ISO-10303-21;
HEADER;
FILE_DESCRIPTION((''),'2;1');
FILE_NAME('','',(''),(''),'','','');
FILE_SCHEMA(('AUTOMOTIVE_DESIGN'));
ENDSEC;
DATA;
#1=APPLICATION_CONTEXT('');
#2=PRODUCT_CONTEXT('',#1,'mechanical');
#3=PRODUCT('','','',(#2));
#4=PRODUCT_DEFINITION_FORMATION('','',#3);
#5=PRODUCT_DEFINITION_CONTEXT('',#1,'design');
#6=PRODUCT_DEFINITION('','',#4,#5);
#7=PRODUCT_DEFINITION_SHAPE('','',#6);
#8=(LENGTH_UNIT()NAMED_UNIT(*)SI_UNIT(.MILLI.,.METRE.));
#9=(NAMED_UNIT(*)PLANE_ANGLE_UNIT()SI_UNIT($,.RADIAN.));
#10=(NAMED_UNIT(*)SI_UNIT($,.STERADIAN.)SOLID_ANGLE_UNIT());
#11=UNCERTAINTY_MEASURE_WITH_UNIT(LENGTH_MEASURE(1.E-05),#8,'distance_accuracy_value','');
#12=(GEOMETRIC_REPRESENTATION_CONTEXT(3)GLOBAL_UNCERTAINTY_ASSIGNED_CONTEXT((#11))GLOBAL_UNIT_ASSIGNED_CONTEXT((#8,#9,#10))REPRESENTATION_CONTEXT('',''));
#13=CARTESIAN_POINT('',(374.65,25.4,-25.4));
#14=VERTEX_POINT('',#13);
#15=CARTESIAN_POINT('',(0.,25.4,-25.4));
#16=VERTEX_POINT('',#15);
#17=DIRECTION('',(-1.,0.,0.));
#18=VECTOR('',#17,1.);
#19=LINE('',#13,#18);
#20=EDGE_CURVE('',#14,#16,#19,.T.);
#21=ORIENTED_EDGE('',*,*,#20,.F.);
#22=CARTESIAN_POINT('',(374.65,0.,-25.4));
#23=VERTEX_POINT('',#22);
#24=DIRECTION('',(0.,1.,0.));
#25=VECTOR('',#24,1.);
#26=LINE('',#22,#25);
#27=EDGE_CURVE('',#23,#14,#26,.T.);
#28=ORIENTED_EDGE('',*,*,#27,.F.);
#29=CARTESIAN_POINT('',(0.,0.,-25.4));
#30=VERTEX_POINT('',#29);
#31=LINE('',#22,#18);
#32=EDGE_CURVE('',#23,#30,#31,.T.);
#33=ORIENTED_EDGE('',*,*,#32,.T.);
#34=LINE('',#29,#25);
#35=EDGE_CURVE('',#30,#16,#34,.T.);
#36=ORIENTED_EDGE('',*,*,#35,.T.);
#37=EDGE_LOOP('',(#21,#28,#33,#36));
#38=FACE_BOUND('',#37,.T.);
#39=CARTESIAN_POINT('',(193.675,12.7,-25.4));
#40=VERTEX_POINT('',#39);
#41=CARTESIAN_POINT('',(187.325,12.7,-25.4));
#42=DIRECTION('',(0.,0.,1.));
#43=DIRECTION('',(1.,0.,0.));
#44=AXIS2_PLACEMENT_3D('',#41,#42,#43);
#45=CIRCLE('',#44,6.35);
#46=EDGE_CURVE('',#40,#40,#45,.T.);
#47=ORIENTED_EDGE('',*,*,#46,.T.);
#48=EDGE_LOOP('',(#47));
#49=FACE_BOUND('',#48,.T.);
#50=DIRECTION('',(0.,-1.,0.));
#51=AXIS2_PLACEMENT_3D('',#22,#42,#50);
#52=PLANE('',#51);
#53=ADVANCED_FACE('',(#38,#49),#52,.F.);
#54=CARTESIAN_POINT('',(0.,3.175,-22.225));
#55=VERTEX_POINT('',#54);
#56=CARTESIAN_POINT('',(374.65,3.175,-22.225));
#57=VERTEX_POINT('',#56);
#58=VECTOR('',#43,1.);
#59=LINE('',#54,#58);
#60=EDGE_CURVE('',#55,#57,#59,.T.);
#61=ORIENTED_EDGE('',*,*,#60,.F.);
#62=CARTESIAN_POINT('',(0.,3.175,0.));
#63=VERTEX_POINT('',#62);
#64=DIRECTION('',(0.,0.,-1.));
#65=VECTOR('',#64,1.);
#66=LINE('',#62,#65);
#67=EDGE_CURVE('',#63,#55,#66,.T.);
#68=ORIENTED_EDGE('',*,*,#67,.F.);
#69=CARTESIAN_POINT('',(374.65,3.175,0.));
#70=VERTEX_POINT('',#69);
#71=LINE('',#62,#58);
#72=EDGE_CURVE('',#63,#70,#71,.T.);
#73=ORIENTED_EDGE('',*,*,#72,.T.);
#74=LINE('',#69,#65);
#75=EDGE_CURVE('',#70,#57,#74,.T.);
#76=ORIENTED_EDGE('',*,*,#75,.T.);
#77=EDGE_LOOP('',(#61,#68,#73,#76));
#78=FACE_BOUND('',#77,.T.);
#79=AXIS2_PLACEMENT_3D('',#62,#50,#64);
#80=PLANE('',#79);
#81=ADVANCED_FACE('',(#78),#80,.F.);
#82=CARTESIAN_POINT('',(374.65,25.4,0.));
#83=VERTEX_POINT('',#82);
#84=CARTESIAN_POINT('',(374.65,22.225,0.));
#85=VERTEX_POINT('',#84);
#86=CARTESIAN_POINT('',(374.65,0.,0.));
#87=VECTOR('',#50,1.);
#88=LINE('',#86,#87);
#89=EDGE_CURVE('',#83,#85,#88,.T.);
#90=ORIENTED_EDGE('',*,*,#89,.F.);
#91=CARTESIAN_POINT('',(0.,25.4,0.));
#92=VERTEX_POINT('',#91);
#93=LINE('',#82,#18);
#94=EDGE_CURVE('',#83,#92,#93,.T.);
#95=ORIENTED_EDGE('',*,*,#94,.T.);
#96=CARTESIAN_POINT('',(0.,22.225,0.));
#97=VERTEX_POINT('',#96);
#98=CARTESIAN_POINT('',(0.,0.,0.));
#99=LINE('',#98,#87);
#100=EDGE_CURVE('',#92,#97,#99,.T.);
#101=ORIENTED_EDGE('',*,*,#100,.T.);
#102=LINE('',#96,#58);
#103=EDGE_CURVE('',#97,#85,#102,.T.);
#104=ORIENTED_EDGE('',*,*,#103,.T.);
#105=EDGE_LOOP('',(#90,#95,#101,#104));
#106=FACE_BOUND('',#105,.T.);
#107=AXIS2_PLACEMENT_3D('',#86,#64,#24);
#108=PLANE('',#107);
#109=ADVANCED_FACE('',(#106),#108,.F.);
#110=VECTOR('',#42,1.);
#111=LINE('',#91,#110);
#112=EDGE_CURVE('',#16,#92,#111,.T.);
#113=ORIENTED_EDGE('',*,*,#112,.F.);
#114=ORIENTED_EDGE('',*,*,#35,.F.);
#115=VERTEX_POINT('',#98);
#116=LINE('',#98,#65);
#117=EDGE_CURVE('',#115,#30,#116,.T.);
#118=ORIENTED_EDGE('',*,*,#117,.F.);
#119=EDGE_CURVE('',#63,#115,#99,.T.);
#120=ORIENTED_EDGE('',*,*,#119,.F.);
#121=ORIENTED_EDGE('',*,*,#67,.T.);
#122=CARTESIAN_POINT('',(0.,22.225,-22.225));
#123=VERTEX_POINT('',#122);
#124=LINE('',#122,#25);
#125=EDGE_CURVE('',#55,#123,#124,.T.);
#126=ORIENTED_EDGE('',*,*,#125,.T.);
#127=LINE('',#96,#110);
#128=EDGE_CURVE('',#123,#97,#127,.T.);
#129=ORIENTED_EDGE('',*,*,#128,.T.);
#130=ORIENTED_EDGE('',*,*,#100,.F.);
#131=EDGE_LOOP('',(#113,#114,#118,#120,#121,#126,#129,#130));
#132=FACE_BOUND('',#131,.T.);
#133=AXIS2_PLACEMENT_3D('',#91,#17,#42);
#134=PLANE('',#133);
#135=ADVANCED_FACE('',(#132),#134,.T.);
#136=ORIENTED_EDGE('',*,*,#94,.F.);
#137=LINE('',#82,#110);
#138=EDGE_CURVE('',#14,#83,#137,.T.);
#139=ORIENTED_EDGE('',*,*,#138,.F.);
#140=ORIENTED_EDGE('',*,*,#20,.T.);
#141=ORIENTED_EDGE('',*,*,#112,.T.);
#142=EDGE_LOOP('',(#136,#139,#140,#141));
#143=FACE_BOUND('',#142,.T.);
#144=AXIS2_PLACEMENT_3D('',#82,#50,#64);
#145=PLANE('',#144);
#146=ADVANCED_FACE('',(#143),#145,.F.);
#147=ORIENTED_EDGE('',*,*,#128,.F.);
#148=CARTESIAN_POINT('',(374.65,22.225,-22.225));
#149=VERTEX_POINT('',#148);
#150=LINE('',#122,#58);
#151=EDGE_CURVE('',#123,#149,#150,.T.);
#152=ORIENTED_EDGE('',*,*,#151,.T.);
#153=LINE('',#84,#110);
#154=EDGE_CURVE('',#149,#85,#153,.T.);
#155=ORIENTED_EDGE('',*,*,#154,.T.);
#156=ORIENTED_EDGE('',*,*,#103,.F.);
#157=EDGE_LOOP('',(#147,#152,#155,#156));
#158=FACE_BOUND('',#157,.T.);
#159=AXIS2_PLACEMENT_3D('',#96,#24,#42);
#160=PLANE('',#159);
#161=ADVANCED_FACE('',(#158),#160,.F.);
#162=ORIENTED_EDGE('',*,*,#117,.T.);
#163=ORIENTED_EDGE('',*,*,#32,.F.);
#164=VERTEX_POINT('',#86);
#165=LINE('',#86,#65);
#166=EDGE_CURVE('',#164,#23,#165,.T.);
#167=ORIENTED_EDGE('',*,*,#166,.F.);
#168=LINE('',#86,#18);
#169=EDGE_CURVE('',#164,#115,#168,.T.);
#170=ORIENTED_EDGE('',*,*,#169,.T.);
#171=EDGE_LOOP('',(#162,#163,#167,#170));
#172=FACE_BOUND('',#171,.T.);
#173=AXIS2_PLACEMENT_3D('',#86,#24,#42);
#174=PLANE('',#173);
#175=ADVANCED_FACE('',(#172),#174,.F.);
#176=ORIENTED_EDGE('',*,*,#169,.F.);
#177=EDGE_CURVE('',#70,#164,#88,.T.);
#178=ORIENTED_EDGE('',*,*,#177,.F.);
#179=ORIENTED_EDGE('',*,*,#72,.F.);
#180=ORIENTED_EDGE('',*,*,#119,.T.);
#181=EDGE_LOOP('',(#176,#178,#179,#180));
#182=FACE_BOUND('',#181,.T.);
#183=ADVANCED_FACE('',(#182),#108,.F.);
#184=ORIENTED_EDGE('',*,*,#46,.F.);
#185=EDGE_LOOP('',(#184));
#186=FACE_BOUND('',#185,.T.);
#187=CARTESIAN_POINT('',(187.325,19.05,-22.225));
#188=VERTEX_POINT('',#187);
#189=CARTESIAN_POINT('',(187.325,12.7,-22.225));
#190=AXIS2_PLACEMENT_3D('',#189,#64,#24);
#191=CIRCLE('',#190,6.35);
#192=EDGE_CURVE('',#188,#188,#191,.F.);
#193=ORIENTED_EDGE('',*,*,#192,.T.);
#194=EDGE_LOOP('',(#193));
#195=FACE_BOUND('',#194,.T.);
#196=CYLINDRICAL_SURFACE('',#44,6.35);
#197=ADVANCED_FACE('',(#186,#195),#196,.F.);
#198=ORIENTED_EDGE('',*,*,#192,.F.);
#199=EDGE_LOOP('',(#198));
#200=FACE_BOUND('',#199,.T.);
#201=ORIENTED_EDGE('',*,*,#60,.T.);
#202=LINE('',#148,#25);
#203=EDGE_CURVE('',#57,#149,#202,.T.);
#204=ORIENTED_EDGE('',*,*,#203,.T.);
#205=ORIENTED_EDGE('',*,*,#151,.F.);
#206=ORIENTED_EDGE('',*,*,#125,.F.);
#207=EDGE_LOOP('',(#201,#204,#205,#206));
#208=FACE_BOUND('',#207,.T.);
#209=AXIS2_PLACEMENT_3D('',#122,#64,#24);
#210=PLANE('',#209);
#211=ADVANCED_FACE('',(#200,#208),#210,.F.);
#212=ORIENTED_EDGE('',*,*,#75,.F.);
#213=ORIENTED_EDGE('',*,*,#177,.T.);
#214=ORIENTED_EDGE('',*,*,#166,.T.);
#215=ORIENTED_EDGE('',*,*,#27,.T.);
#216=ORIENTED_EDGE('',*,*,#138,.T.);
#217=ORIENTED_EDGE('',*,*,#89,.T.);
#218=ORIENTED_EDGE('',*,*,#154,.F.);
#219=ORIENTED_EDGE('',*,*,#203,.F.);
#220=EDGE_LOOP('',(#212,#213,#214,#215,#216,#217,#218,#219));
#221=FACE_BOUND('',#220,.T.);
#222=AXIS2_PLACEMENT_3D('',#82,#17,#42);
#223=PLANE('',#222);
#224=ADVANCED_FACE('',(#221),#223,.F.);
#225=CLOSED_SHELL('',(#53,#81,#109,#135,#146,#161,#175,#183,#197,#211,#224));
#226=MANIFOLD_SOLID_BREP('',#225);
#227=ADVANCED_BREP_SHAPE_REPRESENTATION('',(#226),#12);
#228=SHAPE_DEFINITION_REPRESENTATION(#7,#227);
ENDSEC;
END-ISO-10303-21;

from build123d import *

# Parameters (mm, degrees)
SKETCH1_W           = 25.4
SKETCH1_H           = 25.4
BOSS_EXTRUDE1_DEPTH = 374.65
SKETCH2_R           = 6.35
CUT_EXTRUDE1_DEPTH  = 26.4
SKETCH3_W           = 22.225
SKETCH3_H           = 19.05
CUT_EXTRUDE2_DEPTH  = 375.65


with BuildPart() as part:
    # Sketch1 → Boss-Extrude1 (new body)
    with BuildSketch(Plane(origin=(0, 0, 0), x_dir=(0, 0, -1), z_dir=(1, 0, 0))):
        with Locations((12.7, 12.7)):
            Rectangle(SKETCH1_W, SKETCH1_H)
    extrude(amount=BOSS_EXTRUDE1_DEPTH)

    # Sketch2 → Cut-Extrude1 (cut, through all)
    with BuildSketch(Plane.XY):
        with Locations((187.325, 12.7)):
            Circle(SKETCH2_R)
    extrude(amount=-CUT_EXTRUDE1_DEPTH, mode=Mode.SUBTRACT)

    # Sketch3 → Cut-Extrude2 (cut, through all)
    with BuildSketch(Plane(origin=(374.65, 0, 0), x_dir=(0, 0, -1), z_dir=(1, 0, 0))):
        with Locations((11.1125, 12.7)):
            Rectangle(SKETCH3_W, SKETCH3_H)
    extrude(amount=-CUT_EXTRUDE2_DEPTH, mode=Mode.SUBTRACT)


solid = part.part
